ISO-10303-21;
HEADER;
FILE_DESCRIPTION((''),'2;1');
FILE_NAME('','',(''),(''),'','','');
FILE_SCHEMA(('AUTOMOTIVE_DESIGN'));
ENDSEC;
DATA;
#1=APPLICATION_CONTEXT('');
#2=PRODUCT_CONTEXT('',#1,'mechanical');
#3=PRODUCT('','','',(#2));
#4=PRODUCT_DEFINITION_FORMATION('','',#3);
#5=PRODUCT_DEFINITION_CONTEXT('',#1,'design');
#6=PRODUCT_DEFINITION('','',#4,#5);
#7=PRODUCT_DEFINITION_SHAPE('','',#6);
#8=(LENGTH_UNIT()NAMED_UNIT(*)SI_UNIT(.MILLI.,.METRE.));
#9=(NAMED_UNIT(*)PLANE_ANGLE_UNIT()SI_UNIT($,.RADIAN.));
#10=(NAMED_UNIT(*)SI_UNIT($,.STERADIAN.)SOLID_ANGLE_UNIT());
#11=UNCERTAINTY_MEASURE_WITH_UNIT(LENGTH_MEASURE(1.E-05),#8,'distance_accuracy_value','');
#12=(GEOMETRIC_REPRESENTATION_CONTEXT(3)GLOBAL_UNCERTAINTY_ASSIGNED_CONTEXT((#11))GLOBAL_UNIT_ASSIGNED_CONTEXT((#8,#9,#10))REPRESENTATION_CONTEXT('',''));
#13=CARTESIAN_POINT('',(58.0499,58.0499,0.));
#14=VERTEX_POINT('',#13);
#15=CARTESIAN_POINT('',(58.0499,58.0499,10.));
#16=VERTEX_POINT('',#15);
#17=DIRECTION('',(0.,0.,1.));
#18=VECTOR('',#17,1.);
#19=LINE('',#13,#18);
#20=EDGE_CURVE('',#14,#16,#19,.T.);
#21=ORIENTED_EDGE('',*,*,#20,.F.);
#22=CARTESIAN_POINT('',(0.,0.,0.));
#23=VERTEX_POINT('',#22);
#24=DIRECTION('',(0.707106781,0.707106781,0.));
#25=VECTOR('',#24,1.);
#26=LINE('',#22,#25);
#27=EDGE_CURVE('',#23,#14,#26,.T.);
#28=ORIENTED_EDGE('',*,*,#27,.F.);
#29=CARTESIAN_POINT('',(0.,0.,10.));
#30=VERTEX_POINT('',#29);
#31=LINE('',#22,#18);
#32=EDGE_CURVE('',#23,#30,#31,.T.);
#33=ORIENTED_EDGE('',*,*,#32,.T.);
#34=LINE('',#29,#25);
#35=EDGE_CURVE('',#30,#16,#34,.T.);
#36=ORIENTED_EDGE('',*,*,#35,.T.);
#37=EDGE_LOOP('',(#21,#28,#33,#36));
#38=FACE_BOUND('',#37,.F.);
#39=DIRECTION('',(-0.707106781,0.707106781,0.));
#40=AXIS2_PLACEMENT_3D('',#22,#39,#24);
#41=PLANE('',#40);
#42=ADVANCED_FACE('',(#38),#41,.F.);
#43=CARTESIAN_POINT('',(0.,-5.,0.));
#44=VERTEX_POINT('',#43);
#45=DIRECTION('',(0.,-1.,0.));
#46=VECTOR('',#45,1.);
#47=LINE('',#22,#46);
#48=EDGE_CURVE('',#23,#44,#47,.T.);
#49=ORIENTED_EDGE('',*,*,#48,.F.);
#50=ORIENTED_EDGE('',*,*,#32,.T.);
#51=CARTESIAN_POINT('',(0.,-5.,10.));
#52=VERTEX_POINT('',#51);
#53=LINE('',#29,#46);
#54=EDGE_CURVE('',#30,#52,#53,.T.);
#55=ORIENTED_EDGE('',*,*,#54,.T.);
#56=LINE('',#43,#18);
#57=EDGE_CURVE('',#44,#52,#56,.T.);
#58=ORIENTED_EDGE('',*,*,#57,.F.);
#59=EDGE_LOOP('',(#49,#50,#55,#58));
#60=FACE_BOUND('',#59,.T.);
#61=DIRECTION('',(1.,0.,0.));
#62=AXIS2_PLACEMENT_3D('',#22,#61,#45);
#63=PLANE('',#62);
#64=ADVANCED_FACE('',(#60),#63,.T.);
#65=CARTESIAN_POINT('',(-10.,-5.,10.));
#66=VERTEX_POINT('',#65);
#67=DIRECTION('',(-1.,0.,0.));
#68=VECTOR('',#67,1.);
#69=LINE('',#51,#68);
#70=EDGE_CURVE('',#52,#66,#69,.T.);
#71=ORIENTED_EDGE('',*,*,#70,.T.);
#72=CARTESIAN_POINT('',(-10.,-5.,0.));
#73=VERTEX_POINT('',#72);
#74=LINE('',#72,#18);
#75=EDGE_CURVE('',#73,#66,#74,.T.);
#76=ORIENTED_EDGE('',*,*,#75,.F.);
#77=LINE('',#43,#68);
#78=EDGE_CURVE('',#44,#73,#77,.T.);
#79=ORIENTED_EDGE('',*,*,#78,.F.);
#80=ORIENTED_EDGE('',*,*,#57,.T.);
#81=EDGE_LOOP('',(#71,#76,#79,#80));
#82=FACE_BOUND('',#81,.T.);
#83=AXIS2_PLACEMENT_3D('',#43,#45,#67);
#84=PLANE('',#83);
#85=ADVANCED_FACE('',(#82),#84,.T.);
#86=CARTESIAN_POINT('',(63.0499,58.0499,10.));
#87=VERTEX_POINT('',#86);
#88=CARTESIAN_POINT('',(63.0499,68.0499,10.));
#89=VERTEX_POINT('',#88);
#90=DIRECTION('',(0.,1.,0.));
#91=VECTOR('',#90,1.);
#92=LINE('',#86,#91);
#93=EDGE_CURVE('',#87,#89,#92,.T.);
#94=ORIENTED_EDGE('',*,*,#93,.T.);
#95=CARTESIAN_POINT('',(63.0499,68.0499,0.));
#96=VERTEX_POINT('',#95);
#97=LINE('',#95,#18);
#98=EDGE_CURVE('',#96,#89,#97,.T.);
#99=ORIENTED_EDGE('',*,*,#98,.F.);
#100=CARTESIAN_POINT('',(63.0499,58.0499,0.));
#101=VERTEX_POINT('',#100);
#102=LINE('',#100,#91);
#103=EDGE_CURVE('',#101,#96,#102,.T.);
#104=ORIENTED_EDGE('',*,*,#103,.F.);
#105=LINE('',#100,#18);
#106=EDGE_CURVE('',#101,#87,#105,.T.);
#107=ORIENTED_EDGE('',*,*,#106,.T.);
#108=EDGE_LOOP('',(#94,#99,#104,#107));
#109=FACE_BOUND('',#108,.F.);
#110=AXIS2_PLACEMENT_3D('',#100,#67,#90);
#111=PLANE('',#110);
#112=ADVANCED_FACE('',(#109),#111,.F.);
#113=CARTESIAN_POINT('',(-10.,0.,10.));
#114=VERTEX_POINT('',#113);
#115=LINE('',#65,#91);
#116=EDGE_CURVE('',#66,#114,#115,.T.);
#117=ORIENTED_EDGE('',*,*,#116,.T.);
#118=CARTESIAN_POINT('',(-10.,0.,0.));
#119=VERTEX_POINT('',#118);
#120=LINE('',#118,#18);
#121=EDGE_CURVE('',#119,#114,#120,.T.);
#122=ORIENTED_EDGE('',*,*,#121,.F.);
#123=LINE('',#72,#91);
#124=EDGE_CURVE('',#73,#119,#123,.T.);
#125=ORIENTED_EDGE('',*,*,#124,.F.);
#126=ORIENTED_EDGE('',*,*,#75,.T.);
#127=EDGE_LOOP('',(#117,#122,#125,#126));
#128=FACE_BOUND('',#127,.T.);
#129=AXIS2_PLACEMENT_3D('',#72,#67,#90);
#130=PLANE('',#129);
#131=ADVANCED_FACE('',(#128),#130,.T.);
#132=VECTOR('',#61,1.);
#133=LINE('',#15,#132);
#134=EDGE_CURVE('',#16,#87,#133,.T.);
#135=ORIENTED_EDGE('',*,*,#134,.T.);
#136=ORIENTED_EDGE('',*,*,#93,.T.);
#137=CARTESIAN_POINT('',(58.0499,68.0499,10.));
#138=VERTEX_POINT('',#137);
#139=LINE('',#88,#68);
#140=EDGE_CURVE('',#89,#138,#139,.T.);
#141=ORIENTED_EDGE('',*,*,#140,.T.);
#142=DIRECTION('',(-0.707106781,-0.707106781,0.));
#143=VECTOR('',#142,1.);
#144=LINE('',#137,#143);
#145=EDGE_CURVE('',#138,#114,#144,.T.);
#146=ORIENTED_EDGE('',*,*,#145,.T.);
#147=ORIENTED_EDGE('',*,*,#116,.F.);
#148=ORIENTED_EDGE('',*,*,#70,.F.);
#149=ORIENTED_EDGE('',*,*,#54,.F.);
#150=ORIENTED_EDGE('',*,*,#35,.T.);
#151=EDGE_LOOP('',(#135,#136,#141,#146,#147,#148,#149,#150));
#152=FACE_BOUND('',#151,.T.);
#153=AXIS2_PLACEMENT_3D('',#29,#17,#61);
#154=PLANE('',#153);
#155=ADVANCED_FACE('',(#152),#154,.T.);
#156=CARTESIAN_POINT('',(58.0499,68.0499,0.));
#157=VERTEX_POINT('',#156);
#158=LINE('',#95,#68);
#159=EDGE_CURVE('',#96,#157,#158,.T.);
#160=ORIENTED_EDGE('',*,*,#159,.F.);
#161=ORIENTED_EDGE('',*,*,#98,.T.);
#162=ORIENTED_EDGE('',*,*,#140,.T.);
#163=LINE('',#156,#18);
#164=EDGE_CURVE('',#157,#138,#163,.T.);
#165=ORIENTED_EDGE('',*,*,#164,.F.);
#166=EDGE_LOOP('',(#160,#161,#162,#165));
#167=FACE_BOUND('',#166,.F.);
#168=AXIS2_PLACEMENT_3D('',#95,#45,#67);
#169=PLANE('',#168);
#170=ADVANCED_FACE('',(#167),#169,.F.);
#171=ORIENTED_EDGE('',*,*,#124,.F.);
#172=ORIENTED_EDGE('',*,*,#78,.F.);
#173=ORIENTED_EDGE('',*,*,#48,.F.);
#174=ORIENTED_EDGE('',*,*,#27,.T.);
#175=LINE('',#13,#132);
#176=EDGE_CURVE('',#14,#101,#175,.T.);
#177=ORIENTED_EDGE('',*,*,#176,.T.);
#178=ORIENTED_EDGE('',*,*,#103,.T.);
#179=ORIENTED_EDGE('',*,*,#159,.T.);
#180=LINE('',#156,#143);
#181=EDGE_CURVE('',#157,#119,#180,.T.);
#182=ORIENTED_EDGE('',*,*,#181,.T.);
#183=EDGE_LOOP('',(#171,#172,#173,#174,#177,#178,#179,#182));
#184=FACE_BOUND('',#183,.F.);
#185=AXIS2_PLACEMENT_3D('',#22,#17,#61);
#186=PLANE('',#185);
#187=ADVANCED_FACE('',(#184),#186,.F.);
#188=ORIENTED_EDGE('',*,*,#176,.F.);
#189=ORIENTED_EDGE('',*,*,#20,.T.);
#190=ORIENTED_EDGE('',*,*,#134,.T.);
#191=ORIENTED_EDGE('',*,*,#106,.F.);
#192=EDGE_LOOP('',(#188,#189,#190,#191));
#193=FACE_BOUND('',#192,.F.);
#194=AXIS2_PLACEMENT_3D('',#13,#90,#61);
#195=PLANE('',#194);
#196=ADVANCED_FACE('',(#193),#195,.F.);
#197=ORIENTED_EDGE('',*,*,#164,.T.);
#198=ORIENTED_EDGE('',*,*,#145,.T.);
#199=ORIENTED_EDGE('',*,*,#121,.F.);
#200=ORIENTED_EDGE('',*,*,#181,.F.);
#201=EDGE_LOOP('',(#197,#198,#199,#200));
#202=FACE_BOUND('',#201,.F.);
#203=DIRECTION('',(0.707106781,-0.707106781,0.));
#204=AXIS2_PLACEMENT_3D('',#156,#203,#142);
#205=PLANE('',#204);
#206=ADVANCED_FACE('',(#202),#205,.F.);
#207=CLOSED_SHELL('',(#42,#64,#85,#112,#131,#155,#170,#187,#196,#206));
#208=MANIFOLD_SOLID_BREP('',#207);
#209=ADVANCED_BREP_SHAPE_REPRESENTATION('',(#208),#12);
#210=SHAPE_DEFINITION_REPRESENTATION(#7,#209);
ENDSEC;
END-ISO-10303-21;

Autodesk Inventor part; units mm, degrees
ref_plane "YZ Plane" through (0, 0, 0) normal (1, 0, 0) x (0, 1, 0)
ref_plane "XZ Plane" through (0, 0, 0) normal (0, 1, 0) x (-1, 0, 0)
ref_plane "XY Plane" through (0, 0, 0) normal (0, 0, 1) x (1, 0, 0)
sketch "Sketch1" plane through (0, 0, 0) normal (0, 0, 1) x (1, 0, 0)
  line L0 (0, 0) -> (58.0499, 58.0499)
  line L1 (0, 0) -> (82.095, 0) construction
  line L2 (58.0499, 58.0499) -> (63.0499, 58.0499)
  line L3 (63.0499, 58.0499) -> (63.0499, 68.0499)
  line L4 (63.0499, 68.0499) -> (58.0499, 68.0499)
  line L5 (0, 0) -> (0, -5)
  line L6 (0, -5) -> (-10, -5)
  line L7 (-10, -5) -> (-10, 0)
  line L8 (58.0499, 68.0499) -> (-10, 0)
  dimension "d0" = 45
  dimension "d1" = 82.095
  dimension "d2" = 5
  dimension "d3" = 10
  dimension "d4" = 5
  dimension "d5" = 5
  dimension "d6" = 10
extrude "Extrusion1" add sketch "Sketch1" along normal blind 10
properties part number "frame_rod_2"
